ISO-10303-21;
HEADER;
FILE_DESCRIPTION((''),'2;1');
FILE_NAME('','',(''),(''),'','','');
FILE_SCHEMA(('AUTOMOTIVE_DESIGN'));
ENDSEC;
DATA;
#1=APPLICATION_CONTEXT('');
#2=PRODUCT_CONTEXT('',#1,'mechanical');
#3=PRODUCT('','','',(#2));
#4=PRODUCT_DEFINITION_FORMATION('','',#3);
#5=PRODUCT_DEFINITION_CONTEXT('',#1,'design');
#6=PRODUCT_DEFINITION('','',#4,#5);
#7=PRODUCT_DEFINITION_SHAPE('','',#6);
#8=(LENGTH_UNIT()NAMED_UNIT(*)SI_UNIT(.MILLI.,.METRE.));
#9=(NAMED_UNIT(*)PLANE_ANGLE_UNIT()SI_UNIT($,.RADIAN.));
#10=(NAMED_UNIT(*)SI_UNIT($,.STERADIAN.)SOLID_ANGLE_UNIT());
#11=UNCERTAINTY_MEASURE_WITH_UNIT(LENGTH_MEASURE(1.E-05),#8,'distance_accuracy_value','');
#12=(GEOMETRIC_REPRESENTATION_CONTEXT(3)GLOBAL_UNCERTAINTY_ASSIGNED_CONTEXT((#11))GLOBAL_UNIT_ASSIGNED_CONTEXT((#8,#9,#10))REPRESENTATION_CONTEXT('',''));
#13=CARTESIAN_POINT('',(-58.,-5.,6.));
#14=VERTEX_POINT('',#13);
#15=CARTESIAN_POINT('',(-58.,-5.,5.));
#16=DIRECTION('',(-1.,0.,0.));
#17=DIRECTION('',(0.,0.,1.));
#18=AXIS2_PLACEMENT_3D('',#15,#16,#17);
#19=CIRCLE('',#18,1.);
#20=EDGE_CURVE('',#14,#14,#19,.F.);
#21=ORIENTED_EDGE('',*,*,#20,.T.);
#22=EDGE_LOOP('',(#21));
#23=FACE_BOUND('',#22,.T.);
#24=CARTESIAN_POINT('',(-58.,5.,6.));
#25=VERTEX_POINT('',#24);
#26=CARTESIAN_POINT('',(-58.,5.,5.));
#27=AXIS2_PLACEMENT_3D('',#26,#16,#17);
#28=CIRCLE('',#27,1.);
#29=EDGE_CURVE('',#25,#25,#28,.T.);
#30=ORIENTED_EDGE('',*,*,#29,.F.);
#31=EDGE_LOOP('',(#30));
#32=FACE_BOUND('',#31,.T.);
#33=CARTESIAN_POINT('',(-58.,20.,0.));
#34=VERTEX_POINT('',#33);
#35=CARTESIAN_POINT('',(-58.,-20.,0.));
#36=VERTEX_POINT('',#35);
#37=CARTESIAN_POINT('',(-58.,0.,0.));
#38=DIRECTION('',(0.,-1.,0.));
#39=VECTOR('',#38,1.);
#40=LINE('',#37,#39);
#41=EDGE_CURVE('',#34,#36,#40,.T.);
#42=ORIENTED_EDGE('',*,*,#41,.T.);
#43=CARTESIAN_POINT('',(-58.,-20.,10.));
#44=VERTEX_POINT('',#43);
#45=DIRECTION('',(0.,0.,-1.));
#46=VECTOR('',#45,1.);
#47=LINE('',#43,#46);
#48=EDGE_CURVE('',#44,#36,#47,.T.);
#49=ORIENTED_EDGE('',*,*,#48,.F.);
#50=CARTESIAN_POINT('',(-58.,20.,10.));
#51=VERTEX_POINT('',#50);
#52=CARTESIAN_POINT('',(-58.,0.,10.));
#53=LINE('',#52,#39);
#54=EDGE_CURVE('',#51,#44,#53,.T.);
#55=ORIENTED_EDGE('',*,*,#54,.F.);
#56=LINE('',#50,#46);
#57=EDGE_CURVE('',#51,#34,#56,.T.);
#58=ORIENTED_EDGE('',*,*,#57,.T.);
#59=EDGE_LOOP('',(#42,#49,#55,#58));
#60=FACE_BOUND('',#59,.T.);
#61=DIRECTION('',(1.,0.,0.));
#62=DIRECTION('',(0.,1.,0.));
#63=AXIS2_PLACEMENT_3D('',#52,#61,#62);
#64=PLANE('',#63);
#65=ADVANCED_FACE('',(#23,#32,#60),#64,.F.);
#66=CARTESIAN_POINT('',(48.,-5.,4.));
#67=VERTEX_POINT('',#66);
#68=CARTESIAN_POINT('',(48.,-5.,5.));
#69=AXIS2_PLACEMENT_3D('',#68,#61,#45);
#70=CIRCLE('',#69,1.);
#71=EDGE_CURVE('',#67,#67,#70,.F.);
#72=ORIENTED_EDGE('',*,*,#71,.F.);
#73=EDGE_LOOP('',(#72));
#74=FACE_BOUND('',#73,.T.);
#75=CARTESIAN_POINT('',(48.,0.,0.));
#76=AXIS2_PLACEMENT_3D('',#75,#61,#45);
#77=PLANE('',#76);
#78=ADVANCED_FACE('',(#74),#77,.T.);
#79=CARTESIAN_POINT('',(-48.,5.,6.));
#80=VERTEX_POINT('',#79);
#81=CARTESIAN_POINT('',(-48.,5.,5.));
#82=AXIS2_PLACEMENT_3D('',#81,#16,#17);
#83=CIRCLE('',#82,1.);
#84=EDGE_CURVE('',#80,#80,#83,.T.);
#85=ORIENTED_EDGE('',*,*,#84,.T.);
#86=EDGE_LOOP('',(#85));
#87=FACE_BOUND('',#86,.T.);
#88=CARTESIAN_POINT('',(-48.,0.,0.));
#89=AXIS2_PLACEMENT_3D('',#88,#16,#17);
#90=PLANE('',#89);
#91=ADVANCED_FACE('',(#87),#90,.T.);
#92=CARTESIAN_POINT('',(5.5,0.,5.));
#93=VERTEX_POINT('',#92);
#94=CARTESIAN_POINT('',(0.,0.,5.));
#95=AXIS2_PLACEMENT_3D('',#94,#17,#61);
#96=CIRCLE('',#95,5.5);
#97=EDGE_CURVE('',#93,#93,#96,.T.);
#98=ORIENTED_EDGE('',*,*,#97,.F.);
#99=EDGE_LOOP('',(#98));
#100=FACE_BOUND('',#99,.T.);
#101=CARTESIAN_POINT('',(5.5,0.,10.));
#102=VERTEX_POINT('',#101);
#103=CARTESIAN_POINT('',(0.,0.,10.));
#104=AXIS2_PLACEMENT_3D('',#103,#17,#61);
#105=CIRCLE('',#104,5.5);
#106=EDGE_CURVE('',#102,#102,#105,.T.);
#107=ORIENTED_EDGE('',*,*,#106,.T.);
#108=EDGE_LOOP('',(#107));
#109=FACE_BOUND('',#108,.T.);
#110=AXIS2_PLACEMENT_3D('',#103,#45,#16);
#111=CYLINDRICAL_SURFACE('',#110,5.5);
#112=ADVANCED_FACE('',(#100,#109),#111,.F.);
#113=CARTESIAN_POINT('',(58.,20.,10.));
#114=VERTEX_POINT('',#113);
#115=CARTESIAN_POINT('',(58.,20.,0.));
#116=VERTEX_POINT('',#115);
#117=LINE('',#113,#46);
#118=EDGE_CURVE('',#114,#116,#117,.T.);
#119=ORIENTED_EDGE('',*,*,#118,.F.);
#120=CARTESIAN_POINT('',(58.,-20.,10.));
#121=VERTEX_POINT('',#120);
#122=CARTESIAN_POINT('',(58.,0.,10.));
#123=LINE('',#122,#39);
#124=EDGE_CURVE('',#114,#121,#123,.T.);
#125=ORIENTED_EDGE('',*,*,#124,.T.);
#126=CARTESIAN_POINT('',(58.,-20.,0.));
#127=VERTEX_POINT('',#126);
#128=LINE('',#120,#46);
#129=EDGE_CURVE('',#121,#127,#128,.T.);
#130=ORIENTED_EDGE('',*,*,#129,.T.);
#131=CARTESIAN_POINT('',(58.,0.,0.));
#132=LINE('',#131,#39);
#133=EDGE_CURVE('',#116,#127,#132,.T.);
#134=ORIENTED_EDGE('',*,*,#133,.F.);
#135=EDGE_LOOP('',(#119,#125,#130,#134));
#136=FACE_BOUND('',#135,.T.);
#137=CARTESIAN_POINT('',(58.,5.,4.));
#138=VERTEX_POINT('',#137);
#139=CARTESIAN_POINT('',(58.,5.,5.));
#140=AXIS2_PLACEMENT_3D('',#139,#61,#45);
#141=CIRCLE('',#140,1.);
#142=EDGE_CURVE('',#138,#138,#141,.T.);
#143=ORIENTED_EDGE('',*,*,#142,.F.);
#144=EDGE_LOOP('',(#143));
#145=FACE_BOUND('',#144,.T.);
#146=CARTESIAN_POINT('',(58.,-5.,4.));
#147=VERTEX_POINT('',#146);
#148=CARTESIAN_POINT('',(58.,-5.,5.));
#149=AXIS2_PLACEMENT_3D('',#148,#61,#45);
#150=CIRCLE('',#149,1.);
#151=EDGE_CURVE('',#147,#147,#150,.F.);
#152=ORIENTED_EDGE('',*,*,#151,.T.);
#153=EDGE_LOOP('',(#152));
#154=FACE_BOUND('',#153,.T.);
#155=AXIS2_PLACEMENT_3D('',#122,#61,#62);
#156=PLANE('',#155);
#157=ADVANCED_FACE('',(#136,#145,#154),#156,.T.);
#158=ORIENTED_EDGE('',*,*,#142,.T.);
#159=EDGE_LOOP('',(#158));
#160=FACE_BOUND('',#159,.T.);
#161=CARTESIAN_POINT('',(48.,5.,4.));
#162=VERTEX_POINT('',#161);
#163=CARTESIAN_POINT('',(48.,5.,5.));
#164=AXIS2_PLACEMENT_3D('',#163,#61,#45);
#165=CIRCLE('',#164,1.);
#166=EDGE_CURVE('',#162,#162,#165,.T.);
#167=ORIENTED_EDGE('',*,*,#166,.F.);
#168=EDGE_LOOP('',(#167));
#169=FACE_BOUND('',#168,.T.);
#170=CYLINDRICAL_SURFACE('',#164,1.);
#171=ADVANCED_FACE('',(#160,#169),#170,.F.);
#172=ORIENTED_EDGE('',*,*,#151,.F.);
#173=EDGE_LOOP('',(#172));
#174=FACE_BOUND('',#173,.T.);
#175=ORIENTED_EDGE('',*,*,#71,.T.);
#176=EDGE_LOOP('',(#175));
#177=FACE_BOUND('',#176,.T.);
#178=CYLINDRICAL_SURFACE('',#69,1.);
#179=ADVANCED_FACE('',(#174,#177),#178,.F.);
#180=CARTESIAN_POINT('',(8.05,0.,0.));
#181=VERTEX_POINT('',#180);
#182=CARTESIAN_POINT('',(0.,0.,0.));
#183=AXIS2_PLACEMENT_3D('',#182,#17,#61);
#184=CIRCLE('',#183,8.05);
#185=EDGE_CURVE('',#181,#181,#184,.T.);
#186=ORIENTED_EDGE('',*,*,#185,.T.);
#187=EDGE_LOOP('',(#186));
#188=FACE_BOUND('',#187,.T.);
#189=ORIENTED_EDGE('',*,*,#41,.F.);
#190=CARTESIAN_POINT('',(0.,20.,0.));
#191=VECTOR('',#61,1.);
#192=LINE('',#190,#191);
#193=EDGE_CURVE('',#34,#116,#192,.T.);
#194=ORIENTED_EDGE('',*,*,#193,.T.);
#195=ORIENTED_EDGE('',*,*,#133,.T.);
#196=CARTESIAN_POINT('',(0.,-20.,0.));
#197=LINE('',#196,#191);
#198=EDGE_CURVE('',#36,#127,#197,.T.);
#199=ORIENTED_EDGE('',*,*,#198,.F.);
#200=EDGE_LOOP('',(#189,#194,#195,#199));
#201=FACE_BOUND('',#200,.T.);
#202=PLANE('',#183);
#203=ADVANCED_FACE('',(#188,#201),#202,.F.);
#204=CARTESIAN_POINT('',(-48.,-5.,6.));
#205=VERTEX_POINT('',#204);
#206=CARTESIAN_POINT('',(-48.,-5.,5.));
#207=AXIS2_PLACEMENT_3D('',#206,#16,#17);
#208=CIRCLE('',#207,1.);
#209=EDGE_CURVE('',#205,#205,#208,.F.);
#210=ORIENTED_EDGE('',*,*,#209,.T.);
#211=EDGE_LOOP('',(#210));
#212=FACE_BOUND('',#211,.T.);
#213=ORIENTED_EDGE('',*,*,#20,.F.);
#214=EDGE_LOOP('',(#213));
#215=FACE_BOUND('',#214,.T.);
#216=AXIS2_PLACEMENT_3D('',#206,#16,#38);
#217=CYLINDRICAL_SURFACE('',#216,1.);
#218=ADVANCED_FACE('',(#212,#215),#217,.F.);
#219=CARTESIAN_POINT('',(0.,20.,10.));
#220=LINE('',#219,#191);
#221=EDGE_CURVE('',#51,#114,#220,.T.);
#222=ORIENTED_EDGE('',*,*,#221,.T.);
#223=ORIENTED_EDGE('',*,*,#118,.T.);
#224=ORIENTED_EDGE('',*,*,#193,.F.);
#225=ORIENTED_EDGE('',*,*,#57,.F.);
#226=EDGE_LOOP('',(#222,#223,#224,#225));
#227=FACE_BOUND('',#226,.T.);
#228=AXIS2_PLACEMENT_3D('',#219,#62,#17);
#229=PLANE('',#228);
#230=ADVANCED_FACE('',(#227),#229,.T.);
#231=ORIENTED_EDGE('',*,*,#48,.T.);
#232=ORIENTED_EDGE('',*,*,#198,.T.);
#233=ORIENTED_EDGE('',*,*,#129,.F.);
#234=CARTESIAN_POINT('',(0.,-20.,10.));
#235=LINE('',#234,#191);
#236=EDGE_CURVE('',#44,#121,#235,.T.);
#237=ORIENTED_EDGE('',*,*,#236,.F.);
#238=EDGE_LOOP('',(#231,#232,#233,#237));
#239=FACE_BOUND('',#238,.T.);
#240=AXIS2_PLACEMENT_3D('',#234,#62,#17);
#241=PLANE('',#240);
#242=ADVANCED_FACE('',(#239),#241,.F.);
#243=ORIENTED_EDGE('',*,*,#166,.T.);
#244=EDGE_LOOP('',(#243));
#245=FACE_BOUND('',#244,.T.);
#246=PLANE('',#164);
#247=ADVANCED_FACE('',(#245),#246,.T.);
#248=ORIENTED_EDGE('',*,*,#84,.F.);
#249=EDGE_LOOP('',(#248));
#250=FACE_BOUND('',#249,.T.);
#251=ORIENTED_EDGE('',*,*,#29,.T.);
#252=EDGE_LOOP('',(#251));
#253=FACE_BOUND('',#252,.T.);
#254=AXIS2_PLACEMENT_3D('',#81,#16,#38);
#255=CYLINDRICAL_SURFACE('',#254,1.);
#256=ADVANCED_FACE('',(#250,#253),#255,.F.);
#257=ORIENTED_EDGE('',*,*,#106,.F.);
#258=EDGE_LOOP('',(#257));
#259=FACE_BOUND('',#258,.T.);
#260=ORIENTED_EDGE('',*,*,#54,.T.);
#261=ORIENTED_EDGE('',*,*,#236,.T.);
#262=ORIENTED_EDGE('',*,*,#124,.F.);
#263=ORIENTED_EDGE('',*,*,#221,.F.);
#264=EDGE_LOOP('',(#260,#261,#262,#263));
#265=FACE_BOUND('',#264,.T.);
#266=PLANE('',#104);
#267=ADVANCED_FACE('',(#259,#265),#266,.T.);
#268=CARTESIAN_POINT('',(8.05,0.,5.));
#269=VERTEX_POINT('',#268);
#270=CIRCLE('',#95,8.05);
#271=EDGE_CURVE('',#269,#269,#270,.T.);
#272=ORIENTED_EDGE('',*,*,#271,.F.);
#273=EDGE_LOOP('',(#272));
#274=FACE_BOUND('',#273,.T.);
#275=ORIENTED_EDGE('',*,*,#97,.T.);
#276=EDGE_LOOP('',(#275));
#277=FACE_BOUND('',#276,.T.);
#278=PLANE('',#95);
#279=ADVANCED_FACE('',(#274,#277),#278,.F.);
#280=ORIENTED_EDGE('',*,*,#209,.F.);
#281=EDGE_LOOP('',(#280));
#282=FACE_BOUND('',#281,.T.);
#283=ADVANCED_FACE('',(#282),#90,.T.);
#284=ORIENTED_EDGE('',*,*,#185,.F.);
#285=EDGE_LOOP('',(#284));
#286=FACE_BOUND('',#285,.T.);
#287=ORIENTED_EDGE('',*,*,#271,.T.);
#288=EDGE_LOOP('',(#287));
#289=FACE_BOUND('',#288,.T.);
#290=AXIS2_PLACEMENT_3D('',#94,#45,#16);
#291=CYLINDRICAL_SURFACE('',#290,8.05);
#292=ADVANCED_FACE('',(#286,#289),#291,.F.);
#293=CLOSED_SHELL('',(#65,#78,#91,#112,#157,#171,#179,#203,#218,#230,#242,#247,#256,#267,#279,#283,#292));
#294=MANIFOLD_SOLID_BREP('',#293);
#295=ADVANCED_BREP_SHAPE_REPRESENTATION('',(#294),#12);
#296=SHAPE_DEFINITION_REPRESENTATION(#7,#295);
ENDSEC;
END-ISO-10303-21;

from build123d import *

# Parameters (mm, degrees)
SKETCH1_W           = 116
SKETCH1_H           = 40
SKETCH1_R           = 5.5
BOSS_EXTRUDE2_DEPTH = 10
SKETCH4_R           = 1
CUT_EXTRUDE1_DEPTH  = 10
SKETCH6_R           = 1
CUT_EXTRUDE3_DEPTH  = 10
SKETCH8_R           = 8.05
CUT_EXTRUDE8_DEPTH  = 5


with BuildPart() as part:
    # Sketch1 → Boss-Extrude2 (new body)
    with BuildSketch(Plane.XY):
        Rectangle(SKETCH1_W, SKETCH1_H)
        Circle(SKETCH1_R, mode=Mode.SUBTRACT)
    extrude(amount=BOSS_EXTRUDE2_DEPTH)

    # Sketch4 → Cut-Extrude1 (cut)
    with BuildSketch(Plane(origin=(58, 0, 0), x_dir=(0, 0, -1), z_dir=(1, 0, 0))):
        with Locations((-5, -5)):
            Circle(SKETCH4_R)
        with Locations((-5, 5)):
            Circle(SKETCH4_R)
    extrude(amount=-CUT_EXTRUDE1_DEPTH, mode=Mode.SUBTRACT)

    # Sketch6 → Cut-Extrude3 (cut)
    with BuildSketch(Plane.ZY.offset(58)):
        with Locations((5, 5)):
            Circle(SKETCH6_R)
        with Locations((5, -5)):
            Circle(SKETCH6_R)
    extrude(amount=-CUT_EXTRUDE3_DEPTH, mode=Mode.SUBTRACT)

    # Sketch8 → Cut-Extrude8 (cut)
    with BuildSketch(Plane.XY):
        Circle(SKETCH8_R)
    extrude(amount=CUT_EXTRUDE8_DEPTH, mode=Mode.SUBTRACT)


solid = part.part
